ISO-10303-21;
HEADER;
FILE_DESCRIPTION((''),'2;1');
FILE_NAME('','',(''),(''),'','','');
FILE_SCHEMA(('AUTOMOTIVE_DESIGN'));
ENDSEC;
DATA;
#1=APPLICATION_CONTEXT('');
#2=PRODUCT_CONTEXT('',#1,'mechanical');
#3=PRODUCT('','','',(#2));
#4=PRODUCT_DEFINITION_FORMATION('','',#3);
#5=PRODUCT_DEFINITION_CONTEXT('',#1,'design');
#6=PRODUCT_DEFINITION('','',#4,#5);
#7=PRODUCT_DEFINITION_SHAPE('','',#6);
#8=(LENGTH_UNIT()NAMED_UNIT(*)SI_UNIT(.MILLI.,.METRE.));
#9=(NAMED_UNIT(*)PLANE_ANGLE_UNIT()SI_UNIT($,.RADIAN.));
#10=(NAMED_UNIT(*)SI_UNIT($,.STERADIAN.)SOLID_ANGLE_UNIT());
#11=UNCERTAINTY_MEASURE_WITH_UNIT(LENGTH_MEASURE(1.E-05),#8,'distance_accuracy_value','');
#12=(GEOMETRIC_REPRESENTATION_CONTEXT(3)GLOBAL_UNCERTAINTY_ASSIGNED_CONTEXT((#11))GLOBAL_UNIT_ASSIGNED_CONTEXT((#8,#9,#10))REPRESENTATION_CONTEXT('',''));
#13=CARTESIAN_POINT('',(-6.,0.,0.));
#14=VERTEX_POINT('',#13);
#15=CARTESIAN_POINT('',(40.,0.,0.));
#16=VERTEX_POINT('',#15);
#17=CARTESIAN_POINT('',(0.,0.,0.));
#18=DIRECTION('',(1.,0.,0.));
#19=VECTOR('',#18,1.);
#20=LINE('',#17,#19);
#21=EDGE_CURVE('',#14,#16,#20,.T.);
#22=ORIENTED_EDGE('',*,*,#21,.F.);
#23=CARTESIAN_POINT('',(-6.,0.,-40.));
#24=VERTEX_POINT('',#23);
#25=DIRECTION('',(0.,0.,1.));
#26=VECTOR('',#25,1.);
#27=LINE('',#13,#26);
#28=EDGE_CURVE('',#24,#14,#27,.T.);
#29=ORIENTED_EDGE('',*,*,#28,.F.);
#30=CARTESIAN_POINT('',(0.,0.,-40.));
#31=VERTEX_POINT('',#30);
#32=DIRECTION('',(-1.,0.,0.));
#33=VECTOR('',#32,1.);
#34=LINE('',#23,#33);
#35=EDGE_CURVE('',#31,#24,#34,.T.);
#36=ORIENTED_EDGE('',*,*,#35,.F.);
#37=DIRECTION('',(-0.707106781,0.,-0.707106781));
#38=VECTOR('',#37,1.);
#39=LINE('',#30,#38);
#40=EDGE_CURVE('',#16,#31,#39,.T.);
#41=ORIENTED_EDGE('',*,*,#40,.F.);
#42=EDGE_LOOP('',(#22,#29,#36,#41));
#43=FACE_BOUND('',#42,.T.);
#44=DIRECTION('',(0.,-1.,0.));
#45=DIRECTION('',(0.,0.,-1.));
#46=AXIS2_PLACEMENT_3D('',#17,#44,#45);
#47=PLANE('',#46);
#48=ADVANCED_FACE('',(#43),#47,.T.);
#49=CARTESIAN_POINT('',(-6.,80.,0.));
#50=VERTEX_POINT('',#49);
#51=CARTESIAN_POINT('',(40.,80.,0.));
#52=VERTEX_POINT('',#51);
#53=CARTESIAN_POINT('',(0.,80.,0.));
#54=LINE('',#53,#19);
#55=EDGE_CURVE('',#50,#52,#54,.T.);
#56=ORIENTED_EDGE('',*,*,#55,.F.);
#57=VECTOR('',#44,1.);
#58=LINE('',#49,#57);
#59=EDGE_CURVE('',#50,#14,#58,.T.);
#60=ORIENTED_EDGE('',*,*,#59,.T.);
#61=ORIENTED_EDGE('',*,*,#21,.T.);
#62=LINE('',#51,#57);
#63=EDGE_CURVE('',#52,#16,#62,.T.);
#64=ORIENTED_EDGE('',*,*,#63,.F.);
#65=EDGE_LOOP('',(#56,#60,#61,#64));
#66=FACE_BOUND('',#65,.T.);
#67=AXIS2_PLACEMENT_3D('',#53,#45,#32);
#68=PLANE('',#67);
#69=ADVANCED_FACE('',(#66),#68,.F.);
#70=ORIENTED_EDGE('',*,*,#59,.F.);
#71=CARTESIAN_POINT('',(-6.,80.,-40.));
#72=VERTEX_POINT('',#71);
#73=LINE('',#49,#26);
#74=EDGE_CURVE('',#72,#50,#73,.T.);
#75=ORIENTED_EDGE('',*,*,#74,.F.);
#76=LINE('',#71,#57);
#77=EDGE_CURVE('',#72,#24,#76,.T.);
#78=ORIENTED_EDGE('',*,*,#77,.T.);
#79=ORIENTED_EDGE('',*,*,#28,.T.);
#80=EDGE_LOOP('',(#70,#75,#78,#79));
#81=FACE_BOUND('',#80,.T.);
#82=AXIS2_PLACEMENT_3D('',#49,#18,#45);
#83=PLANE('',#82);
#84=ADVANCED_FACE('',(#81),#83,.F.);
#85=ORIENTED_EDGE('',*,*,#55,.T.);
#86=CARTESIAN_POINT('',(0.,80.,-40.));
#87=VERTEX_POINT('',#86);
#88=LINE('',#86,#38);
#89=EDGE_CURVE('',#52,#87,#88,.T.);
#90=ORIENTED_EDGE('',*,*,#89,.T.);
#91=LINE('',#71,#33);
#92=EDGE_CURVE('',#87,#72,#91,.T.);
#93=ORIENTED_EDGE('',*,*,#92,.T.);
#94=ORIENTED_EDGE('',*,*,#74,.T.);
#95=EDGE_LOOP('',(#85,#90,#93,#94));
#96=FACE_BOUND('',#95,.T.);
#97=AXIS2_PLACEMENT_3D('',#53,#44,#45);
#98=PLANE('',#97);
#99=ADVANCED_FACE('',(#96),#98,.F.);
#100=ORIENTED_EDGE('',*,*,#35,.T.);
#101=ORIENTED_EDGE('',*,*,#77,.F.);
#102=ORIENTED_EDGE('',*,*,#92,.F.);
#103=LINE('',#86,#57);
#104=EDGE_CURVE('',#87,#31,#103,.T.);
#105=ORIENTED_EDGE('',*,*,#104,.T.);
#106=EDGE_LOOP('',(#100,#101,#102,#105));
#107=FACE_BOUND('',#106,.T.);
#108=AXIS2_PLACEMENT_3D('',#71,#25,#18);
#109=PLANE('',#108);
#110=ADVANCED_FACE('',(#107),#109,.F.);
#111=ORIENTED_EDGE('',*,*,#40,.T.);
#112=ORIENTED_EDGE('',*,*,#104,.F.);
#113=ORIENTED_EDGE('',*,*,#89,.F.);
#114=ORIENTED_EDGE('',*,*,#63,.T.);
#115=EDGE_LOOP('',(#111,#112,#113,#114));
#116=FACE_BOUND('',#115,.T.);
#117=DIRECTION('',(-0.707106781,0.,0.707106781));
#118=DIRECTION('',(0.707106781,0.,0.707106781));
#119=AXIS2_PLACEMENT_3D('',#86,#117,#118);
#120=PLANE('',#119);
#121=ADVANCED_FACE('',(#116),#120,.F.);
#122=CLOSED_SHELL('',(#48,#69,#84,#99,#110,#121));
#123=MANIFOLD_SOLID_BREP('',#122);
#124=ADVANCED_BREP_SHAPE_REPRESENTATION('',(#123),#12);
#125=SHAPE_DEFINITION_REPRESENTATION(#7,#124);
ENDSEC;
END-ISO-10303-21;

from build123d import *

# Parameters (mm, degrees)
EXTRUDE_1_DEPTH = 80


with BuildPart() as part:
    # Эскиз1 → Бобышка-Вытянуть1 (new body)
    with BuildSketch(Plane(origin=(0, 0, 0), x_dir=(1, 0, 0), z_dir=(0, 1, 0))):
        Polygon((0, 0), (40, 0), (0, 40), (-6, 40), (-6, 0), align=None)
    extrude(amount=EXTRUDE_1_DEPTH)


solid = part.part
